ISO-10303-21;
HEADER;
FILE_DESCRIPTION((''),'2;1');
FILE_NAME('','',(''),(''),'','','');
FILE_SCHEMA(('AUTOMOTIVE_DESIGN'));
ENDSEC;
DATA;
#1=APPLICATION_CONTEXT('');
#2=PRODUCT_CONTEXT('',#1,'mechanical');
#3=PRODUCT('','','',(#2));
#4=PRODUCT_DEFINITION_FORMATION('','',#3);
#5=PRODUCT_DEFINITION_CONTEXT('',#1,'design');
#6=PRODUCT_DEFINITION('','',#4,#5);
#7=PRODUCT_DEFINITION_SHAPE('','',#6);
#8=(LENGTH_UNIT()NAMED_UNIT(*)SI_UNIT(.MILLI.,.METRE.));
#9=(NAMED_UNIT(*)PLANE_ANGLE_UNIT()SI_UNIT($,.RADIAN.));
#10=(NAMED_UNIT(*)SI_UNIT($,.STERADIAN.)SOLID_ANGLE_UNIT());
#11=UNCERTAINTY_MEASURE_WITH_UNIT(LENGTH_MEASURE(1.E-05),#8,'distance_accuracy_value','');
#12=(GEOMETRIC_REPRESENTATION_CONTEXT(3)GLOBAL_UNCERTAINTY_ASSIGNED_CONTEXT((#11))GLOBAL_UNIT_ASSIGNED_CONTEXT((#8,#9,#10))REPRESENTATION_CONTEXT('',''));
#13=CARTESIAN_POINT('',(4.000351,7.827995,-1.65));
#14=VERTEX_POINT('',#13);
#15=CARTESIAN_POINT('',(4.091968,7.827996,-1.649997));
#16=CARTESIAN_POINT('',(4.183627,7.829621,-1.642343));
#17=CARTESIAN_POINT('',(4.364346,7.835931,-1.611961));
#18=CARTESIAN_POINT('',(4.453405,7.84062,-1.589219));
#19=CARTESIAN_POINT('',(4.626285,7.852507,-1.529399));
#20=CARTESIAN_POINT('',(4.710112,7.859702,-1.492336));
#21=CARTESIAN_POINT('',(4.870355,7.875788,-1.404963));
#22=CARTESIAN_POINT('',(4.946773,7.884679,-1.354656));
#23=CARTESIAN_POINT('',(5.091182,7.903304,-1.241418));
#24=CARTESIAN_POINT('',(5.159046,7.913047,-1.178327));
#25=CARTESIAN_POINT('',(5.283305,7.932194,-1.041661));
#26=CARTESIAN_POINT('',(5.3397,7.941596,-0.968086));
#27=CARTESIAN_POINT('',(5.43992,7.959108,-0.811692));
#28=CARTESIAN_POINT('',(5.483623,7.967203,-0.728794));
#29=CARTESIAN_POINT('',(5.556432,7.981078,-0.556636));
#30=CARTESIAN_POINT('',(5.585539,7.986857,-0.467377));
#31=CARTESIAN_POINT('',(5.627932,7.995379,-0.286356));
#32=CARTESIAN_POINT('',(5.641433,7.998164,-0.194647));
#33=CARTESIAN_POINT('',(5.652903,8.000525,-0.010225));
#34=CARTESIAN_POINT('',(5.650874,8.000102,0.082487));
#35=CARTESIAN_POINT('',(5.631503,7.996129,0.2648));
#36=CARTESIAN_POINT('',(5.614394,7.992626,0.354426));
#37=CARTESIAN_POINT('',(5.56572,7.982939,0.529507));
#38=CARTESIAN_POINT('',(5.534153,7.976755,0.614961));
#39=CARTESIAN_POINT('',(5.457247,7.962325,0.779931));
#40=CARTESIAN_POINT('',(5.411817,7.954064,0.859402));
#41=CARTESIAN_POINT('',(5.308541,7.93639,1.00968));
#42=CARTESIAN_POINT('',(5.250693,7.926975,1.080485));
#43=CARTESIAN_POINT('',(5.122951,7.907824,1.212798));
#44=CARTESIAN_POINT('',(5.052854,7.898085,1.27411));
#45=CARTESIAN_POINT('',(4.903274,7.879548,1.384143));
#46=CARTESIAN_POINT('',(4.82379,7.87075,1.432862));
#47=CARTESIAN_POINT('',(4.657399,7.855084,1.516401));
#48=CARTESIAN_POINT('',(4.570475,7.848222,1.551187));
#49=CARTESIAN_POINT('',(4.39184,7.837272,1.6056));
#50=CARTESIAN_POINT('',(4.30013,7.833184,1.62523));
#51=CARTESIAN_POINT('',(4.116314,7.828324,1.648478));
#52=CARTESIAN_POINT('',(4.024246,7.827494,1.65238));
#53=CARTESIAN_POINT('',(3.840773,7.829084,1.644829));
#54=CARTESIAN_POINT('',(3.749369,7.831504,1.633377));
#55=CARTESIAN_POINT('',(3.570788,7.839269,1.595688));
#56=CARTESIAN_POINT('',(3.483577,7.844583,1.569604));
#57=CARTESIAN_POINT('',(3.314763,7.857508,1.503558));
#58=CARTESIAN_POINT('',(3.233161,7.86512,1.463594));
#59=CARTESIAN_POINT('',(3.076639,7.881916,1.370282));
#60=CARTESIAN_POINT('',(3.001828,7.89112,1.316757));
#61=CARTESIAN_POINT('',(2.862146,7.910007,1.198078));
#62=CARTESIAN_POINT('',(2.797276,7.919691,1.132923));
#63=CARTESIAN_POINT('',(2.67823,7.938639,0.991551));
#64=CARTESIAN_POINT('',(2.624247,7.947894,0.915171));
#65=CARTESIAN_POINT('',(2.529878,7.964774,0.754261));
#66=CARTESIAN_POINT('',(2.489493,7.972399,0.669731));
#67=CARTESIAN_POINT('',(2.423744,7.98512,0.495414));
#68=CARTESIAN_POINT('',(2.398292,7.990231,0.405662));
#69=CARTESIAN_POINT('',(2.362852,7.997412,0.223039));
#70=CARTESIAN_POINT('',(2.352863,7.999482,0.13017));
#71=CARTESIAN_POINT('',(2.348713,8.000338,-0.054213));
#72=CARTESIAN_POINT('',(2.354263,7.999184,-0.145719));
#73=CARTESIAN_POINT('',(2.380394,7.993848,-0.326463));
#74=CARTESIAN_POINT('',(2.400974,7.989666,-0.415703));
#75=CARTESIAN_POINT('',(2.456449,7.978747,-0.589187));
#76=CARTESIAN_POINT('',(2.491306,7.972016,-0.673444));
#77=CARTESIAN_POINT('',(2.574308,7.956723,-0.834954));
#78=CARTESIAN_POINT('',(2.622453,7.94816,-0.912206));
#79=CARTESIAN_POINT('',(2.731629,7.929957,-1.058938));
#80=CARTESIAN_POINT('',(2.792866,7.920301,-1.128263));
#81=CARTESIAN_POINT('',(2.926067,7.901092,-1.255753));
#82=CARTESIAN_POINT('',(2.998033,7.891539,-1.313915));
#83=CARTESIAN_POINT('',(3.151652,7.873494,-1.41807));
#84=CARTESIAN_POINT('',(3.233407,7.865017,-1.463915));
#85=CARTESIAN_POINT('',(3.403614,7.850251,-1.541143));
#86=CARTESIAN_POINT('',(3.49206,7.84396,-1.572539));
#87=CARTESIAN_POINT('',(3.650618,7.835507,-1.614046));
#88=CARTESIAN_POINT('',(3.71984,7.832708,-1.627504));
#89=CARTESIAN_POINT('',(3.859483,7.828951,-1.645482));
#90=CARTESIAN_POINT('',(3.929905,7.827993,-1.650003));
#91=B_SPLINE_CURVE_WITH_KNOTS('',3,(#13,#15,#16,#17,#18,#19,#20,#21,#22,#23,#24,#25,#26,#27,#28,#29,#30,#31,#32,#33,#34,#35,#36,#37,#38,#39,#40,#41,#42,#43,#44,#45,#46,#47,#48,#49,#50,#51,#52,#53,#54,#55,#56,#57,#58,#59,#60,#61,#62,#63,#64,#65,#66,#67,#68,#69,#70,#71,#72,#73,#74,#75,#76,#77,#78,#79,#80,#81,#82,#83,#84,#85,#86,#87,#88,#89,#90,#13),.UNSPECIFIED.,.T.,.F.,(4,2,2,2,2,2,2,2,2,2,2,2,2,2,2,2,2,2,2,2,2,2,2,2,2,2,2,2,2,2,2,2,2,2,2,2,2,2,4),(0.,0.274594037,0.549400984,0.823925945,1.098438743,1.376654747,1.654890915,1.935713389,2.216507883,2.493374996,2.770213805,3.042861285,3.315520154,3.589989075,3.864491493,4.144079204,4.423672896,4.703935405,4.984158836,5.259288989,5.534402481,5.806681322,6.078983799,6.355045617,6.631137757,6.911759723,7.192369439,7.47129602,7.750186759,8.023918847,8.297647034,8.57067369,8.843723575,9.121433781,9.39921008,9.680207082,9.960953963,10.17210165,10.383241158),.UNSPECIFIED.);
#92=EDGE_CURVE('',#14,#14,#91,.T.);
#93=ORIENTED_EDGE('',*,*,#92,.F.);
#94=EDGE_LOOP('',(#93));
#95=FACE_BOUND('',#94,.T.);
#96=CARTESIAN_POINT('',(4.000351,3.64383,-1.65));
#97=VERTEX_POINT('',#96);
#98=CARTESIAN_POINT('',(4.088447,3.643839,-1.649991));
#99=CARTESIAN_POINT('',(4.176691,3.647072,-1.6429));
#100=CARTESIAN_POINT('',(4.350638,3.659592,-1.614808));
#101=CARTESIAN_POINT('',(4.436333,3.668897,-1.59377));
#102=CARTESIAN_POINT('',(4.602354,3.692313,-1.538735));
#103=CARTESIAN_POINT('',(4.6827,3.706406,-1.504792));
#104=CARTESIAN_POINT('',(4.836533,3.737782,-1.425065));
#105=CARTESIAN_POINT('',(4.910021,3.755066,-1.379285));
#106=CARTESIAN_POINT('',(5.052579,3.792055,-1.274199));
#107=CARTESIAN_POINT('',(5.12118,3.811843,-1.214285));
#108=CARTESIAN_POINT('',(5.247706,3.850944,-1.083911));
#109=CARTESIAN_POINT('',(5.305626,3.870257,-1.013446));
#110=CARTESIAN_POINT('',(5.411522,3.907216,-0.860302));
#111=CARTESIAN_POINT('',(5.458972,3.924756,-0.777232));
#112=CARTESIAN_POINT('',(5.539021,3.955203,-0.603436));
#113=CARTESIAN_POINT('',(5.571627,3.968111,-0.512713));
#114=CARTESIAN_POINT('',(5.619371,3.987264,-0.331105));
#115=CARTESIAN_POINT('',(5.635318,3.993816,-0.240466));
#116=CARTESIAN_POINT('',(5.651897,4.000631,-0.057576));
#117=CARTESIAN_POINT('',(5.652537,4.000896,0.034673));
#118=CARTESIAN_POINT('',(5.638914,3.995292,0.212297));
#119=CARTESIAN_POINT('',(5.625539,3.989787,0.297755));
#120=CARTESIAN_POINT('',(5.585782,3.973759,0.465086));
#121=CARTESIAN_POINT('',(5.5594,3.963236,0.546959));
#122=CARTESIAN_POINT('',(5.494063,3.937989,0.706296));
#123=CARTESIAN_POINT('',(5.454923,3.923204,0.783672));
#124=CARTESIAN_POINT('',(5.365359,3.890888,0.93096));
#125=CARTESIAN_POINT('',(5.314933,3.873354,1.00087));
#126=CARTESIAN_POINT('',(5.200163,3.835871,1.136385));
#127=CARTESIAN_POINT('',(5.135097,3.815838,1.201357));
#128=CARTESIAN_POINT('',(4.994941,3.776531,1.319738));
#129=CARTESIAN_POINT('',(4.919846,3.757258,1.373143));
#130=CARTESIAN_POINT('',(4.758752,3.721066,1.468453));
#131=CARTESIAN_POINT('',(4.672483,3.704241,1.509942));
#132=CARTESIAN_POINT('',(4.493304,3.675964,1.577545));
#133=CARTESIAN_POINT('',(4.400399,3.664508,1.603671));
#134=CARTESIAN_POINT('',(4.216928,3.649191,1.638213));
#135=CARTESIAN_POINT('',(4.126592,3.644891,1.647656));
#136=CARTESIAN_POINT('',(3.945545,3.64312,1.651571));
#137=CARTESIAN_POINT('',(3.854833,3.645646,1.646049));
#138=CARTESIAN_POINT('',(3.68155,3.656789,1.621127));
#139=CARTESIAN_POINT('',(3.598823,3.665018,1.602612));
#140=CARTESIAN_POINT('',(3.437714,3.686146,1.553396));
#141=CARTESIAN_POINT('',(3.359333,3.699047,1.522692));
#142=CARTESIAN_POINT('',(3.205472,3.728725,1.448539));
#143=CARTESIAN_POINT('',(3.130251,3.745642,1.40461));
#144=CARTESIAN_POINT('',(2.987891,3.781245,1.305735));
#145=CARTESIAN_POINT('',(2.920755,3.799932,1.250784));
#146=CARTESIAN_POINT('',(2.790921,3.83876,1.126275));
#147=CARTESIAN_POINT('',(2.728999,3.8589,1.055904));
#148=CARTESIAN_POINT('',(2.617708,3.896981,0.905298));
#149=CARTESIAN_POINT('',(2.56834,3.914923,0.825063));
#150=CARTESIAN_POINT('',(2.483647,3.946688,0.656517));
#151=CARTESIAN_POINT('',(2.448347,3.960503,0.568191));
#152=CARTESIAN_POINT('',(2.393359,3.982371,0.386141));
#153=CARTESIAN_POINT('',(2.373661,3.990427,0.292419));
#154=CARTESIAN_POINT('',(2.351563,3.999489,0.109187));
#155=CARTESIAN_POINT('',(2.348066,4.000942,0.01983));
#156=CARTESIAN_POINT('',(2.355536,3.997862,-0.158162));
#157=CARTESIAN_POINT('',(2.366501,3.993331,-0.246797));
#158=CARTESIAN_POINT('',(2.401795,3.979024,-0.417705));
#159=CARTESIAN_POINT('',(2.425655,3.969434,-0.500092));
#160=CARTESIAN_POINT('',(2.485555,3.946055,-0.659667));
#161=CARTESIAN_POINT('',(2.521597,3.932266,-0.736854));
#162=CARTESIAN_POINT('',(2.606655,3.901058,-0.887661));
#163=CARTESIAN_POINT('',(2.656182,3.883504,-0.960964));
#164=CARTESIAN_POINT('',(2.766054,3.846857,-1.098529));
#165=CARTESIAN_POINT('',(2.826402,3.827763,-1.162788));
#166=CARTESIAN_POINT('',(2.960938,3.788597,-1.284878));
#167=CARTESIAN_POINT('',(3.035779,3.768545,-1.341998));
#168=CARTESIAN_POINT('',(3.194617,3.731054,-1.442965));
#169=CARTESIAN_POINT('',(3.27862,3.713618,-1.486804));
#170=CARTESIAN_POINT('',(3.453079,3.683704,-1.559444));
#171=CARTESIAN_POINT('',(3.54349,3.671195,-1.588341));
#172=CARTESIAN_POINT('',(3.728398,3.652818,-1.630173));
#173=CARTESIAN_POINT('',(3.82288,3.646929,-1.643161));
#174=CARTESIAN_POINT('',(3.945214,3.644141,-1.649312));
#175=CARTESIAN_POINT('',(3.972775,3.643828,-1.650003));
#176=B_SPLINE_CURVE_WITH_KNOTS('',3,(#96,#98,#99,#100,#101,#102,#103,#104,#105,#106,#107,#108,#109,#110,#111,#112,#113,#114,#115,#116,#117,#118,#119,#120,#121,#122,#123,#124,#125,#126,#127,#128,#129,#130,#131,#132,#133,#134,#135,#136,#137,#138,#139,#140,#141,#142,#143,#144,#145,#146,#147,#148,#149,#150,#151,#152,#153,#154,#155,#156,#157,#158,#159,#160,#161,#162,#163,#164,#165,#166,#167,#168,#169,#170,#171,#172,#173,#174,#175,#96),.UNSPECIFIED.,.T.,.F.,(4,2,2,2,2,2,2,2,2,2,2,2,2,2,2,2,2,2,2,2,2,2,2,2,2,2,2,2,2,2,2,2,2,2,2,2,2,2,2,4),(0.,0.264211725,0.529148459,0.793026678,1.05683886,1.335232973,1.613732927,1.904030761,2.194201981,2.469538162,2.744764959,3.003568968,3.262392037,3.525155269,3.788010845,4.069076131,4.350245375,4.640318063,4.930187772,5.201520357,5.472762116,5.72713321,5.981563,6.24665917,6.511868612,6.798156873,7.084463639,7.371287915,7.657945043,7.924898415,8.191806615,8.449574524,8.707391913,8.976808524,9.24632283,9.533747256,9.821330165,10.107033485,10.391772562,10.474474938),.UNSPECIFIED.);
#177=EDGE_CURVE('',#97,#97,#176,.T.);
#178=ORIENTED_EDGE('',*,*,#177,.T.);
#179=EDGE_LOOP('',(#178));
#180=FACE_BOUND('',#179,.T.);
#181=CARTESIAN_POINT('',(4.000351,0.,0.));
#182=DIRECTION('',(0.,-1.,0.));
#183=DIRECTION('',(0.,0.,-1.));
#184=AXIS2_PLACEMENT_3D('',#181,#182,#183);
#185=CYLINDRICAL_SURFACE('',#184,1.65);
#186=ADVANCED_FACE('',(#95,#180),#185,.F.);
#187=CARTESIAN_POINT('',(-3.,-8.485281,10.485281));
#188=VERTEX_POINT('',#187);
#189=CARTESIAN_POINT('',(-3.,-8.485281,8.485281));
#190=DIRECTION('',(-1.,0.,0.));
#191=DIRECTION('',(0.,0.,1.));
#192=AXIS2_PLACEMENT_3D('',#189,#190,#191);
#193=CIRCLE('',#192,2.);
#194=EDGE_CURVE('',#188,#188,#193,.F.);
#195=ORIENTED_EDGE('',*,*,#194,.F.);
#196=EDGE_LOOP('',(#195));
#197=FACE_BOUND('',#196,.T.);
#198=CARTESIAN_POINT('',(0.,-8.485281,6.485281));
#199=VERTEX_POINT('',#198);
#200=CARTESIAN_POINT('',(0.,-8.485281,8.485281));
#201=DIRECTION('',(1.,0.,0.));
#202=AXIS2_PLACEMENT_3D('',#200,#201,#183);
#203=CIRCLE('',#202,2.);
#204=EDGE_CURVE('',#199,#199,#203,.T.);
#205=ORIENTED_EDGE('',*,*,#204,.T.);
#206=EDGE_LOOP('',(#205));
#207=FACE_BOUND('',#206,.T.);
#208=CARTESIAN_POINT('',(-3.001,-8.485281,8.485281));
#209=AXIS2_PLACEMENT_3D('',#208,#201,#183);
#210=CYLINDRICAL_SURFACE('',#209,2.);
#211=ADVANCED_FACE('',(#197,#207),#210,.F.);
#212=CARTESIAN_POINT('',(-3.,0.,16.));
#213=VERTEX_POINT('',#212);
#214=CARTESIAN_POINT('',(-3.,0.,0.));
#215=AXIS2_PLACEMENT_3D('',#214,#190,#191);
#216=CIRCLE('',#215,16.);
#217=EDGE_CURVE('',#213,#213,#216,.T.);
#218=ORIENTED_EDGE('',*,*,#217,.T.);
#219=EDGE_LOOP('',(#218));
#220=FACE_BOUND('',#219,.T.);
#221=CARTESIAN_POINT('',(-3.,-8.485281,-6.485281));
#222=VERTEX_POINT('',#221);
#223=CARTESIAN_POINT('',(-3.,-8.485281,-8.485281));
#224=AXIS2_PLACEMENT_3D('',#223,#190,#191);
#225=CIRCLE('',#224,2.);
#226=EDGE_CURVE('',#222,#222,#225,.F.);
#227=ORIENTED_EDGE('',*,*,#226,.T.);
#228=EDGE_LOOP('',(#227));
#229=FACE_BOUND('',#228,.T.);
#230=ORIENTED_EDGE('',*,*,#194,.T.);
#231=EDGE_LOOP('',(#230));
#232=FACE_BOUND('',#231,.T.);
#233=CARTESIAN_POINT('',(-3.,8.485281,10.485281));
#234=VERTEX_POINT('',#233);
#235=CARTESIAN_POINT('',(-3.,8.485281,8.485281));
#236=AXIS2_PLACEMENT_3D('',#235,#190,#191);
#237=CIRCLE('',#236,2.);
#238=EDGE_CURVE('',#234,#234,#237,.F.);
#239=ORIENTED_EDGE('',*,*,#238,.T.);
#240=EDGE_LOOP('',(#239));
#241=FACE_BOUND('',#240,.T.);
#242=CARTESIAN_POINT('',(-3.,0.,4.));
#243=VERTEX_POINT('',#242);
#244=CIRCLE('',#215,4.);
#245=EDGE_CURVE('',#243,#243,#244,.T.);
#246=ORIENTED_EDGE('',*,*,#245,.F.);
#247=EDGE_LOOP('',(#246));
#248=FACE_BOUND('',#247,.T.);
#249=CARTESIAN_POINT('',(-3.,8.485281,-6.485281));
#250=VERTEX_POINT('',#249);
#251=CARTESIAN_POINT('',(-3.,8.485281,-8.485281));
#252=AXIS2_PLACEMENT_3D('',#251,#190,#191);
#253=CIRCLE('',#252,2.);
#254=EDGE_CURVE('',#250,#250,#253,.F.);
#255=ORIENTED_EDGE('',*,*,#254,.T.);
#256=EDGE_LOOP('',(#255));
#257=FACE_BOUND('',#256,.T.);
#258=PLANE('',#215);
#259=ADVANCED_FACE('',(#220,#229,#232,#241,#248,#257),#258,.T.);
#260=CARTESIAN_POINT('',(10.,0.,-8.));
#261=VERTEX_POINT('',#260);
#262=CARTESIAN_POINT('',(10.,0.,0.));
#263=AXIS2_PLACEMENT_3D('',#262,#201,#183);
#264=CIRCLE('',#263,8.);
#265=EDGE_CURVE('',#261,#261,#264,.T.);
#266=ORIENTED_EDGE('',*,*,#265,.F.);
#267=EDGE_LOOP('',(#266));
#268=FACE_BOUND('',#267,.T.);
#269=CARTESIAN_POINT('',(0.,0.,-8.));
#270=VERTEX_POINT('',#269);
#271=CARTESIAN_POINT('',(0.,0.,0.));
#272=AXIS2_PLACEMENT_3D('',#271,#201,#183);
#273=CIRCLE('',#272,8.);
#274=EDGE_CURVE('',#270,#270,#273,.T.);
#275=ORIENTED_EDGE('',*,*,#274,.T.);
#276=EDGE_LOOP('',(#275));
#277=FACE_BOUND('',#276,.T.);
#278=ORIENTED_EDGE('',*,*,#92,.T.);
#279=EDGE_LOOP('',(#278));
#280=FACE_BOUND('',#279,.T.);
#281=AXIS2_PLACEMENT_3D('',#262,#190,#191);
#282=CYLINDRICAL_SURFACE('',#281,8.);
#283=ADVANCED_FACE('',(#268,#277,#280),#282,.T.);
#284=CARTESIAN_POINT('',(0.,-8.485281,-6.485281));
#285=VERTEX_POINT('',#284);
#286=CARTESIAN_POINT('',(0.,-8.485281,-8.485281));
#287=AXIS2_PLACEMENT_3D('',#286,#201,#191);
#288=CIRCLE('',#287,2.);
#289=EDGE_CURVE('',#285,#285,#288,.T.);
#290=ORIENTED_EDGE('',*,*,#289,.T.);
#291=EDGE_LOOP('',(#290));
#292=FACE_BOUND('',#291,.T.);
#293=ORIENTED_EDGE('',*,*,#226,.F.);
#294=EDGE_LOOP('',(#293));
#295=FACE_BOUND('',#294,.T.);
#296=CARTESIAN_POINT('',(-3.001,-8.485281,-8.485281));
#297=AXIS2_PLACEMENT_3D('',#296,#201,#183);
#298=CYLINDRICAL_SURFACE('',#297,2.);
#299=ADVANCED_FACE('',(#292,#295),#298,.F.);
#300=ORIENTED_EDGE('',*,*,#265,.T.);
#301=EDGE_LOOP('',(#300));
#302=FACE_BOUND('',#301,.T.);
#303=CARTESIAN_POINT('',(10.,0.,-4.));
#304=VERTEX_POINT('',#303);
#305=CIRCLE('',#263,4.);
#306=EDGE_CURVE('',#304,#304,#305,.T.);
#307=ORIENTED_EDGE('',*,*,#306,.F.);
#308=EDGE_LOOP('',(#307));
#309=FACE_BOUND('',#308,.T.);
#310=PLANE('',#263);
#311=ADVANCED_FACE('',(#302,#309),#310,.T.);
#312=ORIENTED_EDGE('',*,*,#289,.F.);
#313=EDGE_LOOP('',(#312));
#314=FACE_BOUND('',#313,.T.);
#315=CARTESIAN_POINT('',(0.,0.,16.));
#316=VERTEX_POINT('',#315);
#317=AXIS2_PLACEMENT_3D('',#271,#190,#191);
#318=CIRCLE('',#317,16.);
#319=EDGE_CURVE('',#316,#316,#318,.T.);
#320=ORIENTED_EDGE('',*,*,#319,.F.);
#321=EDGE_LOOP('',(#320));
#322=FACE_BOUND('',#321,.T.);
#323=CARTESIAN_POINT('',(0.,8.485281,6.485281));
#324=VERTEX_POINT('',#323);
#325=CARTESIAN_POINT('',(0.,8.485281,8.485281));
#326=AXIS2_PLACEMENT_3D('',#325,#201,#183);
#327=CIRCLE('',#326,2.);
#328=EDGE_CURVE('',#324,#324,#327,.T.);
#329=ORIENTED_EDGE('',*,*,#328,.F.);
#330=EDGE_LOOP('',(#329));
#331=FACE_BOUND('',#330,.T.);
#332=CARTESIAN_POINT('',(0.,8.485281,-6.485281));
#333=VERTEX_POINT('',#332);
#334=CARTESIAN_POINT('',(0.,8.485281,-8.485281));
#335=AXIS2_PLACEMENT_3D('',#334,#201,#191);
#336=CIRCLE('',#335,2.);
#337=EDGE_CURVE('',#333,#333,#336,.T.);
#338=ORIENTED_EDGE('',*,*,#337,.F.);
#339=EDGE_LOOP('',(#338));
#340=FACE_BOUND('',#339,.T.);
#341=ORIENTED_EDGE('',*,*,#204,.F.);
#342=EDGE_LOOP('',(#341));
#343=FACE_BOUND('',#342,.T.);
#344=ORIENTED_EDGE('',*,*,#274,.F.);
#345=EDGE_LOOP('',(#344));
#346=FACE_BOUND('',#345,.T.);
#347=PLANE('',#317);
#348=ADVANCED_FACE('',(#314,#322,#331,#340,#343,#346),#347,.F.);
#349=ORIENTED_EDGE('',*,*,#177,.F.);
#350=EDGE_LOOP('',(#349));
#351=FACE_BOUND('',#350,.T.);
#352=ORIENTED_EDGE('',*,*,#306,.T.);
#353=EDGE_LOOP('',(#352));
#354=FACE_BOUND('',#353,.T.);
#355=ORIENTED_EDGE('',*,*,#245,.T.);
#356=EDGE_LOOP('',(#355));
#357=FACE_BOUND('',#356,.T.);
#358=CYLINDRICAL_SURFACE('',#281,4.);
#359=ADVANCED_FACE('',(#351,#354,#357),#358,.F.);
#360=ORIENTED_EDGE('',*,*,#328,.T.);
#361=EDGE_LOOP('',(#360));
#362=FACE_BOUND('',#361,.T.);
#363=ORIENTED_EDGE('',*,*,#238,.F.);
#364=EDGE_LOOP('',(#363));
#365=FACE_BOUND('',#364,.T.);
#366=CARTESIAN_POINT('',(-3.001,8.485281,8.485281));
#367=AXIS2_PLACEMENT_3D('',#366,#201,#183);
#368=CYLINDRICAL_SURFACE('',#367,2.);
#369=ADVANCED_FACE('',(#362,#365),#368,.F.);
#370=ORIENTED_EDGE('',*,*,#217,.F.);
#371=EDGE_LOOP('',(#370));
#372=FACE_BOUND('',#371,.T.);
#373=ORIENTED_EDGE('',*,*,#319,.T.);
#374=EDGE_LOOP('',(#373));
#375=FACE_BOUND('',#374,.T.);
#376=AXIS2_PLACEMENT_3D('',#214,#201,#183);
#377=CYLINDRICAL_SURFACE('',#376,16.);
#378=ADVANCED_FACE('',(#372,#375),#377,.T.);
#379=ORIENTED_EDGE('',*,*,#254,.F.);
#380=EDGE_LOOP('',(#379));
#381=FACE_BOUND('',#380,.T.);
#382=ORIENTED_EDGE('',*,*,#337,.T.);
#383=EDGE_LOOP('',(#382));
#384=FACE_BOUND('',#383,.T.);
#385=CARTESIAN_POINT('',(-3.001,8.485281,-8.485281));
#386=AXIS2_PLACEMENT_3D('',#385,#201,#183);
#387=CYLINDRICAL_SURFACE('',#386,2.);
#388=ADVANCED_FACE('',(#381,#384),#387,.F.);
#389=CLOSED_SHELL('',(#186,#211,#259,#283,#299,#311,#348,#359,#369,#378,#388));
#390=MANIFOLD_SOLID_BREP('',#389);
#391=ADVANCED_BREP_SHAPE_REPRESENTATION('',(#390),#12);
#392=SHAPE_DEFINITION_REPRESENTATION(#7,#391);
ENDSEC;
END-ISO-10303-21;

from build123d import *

# Parameters (mm, degrees)
SKETCH_1_R          = 8
SKETCH_1_R_2        = 4
EXTRUDE_1_DEPTH     = 10
SKETCH_2_R          = 16
SKETCH_2_R_2        = 4
EXTRUDE_2_DEPTH     = 3
CUT_EXTRUDE_1_REACH = 5
SKETCH_3_R          = 2


with BuildPart() as part:
    # 草图1 → 凸台-拉伸1 (new body)
    with BuildSketch(Plane(origin=(0, 0, 0), x_dir=(0, 0, -1), z_dir=(1, 0, 0))):
        Circle(SKETCH_1_R)
        Circle(SKETCH_1_R_2, mode=Mode.SUBTRACT)
    extrude(amount=EXTRUDE_1_DEPTH)

    # 草图2 → 凸台-拉伸2 (add)
    with BuildSketch(Plane.ZY):
        Circle(SKETCH_2_R)
        Circle(SKETCH_2_R_2, mode=Mode.SUBTRACT)
    extrude(amount=EXTRUDE_2_DEPTH)

    # 草图3 → 切除-拉伸1 (cut, up to next)
    with BuildSketch(Plane(origin=(0, 0, 0), x_dir=(0, 0, -1), z_dir=(1, 0, 0)), mode=Mode.PRIVATE) as cut_extrude_1_sk1:
        with Locations((-8.485281374, -8.485281374)):
            Circle(SKETCH_3_R)
    cut_extrude_1_tool1 = extrude(cut_extrude_1_sk1.sketch, amount=-CUT_EXTRUDE_1_REACH, mode=Mode.PRIVATE) & part.part
    add(cut_extrude_1_tool1.solids().sort_by_distance((0, -8.485281, 8.485281))[0], mode=Mode.SUBTRACT)
    # 草图3 → 切除-拉伸1 (cut, up to next)
    with BuildSketch(Plane(origin=(0, 0, 0), x_dir=(0, 0, -1), z_dir=(1, 0, 0)), mode=Mode.PRIVATE) as cut_extrude_1_sk2:
        with Locations((8.485281374, 8.485281374)):
            Circle(SKETCH_3_R)
    cut_extrude_1_tool2 = extrude(cut_extrude_1_sk2.sketch, amount=-CUT_EXTRUDE_1_REACH, mode=Mode.PRIVATE) & part.part
    add(cut_extrude_1_tool2.solids().sort_by_distance((0, 8.485281, -8.485281))[0], mode=Mode.SUBTRACT)
    # 草图3 → 切除-拉伸1 (cut, up to next)
    with BuildSketch(Plane(origin=(0, 0, 0), x_dir=(0, 0, -1), z_dir=(1, 0, 0)), mode=Mode.PRIVATE) as cut_extrude_1_sk3:
        with Locations((-8.485281374, 8.485281374)):
            Circle(SKETCH_3_R)
    cut_extrude_1_tool3 = extrude(cut_extrude_1_sk3.sketch, amount=-CUT_EXTRUDE_1_REACH, mode=Mode.PRIVATE) & part.part
    add(cut_extrude_1_tool3.solids().sort_by_distance((0, 8.485281, 8.485281))[0], mode=Mode.SUBTRACT)
    # 草图3 → 切除-拉伸1 (cut, up to next)
    with BuildSketch(Plane(origin=(0, 0, 0), x_dir=(0, 0, -1), z_dir=(1, 0, 0)), mode=Mode.PRIVATE) as cut_extrude_1_sk4:
        with Locations((8.485281374, -8.485281374)):
            Circle(SKETCH_3_R)
    cut_extrude_1_tool4 = extrude(cut_extrude_1_sk4.sketch, amount=-CUT_EXTRUDE_1_REACH, mode=Mode.PRIVATE) & part.part
    add(cut_extrude_1_tool4.solids().sort_by_distance((0, -8.485281, -8.485281))[0], mode=Mode.SUBTRACT)

    # 草图5 → M4 螺纹孔1 (revolve, cut)
    with BuildSketch(Plane(origin=(4.000350767, 0, 0), x_dir=(0, 0, -1), z_dir=(1, 0, 0))):
        Polygon((0, 0), (0, 12.491420021), (1.65, 11.5), (1.65, 0), align=None)
    revolve(axis=Axis((4.000350767, -6.35, 0), (0, 1, 0)), mode=Mode.SUBTRACT)


solid = part.part
